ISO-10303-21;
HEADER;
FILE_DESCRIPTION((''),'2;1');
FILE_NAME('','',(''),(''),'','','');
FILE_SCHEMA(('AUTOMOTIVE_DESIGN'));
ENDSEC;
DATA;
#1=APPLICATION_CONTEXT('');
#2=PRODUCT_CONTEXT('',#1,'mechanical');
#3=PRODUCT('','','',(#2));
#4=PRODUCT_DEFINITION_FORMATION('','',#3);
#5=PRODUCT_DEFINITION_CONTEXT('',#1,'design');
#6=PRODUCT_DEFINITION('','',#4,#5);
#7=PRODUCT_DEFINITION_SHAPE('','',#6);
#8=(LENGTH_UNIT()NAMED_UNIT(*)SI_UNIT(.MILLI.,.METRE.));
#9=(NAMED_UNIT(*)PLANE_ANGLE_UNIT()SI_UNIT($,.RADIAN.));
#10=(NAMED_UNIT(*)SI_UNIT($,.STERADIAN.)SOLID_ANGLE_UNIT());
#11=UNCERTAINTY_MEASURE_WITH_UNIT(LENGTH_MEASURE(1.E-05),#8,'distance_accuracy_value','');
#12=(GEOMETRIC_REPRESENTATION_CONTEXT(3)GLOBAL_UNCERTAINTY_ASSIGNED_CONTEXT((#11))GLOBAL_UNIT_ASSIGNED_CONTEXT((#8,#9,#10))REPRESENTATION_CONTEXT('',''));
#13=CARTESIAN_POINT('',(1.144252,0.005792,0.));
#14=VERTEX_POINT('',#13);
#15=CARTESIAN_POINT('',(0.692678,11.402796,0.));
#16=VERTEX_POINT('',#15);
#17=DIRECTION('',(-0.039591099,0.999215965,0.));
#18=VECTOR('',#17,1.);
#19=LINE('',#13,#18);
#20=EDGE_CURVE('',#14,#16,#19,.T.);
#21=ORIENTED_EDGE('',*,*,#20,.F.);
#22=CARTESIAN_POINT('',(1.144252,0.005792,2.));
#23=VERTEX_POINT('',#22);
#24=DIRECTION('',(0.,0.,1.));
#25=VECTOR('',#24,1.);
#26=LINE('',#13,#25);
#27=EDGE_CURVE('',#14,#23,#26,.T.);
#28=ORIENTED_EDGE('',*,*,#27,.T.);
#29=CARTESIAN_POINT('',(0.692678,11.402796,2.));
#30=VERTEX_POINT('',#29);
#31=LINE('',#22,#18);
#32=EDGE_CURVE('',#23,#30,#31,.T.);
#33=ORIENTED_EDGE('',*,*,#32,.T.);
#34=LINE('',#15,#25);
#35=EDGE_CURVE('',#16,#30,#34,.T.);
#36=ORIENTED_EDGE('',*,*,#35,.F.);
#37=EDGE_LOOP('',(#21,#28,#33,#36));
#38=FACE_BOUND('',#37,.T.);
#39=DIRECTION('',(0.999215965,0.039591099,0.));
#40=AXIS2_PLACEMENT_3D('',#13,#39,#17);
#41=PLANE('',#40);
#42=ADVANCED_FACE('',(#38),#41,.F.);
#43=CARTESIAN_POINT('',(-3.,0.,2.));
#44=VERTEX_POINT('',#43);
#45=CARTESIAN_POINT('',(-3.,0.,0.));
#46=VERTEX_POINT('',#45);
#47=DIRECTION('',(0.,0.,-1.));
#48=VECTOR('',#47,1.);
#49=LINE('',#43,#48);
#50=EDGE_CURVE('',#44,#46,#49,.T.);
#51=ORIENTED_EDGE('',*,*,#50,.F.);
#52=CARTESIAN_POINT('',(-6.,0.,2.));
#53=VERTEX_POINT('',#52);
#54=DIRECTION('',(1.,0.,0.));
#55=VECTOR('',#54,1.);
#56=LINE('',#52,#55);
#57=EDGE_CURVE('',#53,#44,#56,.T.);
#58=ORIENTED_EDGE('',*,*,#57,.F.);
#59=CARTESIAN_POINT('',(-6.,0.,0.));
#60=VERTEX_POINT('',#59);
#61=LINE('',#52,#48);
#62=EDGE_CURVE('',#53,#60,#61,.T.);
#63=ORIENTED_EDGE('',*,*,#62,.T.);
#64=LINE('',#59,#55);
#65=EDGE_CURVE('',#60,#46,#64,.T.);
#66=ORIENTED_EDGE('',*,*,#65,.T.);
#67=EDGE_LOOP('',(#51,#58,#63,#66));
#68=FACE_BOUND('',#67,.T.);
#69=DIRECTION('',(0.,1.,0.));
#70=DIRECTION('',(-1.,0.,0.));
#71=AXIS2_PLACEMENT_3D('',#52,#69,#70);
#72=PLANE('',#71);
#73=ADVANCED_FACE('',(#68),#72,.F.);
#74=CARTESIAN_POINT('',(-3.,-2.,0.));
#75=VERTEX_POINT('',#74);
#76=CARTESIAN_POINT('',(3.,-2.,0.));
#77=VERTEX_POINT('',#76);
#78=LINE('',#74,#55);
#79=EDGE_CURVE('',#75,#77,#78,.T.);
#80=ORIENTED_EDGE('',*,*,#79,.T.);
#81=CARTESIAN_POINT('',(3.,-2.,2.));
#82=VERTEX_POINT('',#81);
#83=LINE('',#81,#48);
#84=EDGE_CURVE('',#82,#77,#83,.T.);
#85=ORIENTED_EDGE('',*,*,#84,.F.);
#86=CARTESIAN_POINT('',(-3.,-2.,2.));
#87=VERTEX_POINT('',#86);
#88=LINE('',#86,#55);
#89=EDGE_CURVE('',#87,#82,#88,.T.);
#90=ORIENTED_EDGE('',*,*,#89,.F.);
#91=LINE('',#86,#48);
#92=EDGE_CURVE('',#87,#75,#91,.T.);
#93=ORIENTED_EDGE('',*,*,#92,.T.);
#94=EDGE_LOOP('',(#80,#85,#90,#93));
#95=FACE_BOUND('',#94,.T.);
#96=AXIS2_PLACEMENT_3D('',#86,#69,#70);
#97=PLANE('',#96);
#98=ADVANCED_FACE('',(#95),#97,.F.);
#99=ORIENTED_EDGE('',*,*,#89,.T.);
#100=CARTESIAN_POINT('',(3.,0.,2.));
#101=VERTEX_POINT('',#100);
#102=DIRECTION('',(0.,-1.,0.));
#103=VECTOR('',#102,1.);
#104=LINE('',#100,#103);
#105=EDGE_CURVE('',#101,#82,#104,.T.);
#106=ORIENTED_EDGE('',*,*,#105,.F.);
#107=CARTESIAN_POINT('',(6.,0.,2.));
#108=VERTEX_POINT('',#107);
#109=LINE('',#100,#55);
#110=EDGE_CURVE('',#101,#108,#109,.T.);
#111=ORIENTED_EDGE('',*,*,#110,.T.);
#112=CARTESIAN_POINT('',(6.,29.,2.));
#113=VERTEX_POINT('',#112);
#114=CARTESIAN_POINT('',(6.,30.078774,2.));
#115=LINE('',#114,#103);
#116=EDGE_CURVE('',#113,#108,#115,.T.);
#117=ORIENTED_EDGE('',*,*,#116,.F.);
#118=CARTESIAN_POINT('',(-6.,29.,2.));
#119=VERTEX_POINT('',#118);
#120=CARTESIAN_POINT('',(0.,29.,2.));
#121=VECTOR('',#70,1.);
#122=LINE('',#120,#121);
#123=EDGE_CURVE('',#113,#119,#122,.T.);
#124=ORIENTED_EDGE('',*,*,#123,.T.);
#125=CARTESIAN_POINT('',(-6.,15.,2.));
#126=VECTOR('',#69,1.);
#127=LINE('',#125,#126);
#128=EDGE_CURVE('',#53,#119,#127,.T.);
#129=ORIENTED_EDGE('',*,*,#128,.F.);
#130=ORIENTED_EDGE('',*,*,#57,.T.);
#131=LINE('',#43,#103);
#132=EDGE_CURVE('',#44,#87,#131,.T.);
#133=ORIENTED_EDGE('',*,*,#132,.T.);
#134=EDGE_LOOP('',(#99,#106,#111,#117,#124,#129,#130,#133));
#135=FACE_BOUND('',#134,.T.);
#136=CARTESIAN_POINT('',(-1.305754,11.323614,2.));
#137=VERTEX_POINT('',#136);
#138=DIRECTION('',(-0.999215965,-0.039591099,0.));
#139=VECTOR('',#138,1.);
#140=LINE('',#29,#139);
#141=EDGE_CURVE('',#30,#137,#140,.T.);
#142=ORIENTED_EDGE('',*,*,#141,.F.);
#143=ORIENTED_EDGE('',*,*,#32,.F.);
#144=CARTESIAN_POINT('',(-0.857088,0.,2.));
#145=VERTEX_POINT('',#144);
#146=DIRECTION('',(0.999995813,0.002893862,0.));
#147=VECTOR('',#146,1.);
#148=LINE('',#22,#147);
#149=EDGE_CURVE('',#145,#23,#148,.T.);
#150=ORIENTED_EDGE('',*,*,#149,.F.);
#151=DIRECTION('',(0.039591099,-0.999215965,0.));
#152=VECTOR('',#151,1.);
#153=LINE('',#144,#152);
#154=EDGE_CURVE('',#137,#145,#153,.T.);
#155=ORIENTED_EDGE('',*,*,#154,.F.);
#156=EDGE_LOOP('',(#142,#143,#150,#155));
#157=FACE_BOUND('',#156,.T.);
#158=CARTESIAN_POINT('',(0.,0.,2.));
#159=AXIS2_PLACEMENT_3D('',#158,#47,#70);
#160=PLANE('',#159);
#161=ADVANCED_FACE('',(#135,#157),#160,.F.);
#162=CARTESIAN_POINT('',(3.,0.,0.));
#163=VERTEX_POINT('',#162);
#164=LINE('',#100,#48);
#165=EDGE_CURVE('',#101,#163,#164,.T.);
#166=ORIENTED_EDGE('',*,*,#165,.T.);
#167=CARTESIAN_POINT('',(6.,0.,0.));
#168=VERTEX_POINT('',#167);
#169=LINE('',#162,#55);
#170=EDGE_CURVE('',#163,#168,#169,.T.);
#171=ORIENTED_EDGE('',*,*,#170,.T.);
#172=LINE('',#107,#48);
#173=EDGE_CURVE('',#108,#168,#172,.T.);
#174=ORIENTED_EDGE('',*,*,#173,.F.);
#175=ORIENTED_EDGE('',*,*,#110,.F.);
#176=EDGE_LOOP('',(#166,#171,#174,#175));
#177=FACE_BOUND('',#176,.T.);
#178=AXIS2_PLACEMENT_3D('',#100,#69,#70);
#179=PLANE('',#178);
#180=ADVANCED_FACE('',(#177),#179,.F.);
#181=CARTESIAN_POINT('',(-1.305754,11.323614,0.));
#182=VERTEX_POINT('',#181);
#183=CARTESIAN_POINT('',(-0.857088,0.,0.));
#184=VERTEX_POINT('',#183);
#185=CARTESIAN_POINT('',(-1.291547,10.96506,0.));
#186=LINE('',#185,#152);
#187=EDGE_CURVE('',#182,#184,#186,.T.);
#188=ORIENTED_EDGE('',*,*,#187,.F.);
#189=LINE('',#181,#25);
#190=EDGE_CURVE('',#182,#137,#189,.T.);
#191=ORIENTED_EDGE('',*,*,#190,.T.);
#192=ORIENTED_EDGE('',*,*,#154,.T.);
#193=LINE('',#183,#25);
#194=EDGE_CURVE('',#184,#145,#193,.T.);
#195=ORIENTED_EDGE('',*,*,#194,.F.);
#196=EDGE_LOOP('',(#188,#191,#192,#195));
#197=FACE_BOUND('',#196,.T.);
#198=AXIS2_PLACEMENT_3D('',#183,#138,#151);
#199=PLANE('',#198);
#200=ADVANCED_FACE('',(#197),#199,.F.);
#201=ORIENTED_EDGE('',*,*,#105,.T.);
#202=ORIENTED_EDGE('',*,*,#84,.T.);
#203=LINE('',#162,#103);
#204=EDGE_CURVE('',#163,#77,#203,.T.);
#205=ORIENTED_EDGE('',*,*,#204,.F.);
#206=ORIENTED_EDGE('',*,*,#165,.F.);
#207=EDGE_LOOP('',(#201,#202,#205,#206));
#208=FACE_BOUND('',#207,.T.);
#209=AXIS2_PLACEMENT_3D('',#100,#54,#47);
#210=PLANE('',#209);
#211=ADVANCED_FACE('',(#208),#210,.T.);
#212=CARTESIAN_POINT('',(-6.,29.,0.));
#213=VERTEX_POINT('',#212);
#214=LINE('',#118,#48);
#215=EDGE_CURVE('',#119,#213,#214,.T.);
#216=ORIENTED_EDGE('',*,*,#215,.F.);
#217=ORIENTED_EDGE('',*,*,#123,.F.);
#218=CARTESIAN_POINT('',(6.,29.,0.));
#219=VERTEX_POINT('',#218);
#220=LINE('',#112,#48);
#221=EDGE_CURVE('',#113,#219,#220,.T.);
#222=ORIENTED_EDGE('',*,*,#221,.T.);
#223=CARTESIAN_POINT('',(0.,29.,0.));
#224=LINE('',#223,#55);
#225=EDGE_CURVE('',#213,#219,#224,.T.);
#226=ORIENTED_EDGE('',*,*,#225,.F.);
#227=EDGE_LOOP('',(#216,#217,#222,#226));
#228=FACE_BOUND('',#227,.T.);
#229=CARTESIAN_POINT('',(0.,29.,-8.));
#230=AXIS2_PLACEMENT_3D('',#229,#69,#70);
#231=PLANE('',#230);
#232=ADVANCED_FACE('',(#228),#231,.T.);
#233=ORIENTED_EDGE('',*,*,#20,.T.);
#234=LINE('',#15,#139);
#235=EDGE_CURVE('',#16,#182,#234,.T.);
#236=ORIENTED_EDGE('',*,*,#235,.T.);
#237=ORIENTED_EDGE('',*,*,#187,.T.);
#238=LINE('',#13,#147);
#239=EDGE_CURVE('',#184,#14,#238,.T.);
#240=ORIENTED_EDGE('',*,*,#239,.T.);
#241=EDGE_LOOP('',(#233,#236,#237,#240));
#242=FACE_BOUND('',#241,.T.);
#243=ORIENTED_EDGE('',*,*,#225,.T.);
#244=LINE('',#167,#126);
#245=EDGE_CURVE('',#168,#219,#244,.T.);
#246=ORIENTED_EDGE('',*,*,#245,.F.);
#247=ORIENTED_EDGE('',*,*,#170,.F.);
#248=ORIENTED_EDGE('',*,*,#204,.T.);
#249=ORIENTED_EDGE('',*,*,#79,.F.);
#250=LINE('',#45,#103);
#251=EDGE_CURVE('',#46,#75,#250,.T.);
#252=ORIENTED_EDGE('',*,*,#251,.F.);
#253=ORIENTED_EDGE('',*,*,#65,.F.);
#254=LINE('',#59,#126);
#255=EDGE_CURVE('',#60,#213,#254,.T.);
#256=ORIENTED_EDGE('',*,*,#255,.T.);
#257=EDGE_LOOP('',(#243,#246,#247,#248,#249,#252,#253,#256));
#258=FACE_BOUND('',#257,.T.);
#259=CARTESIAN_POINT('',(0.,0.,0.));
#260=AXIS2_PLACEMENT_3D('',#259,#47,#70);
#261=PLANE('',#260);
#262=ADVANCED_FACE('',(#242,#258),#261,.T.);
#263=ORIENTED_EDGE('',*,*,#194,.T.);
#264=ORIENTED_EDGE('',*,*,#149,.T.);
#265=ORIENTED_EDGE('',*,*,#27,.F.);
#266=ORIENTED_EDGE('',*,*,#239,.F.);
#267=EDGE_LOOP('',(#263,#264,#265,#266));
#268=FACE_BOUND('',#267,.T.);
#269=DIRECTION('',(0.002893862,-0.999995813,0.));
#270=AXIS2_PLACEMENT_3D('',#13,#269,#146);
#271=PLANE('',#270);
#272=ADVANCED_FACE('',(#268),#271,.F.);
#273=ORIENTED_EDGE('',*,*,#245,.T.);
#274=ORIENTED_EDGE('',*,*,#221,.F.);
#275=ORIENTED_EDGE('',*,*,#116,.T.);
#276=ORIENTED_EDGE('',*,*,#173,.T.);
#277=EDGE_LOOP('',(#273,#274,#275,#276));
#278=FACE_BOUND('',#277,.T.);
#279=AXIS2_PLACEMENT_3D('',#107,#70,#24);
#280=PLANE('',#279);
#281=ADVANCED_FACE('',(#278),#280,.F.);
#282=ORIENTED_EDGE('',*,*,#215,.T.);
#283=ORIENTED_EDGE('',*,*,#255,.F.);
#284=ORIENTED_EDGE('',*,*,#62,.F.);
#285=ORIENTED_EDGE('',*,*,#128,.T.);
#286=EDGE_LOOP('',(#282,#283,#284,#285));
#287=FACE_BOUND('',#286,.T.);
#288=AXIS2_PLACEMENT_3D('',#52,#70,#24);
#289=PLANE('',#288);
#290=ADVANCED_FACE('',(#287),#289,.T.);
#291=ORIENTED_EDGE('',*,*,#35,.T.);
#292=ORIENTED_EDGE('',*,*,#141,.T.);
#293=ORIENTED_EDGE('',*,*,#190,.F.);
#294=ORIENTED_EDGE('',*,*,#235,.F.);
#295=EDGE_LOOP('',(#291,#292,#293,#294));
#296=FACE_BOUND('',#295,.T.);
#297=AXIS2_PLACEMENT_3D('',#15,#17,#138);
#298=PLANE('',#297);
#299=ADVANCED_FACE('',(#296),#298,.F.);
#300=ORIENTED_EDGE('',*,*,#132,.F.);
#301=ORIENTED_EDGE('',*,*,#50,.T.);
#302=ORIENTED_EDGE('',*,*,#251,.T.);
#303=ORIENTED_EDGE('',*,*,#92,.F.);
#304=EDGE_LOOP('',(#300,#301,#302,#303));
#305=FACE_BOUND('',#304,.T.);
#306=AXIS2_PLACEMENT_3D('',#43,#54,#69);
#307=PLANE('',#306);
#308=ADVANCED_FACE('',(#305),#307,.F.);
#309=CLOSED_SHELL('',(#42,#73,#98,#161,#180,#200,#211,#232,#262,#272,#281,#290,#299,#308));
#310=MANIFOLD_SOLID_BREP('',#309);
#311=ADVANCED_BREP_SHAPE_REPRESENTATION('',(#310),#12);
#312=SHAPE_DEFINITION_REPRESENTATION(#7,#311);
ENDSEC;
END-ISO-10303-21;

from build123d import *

# Parameters (mm, degrees)
EXTRUDE_1_DEPTH     = 2
SKETCH_3_W          = 12
SKETCH_3_H          = 1.078774048
CUT_EXTRUDE_2_DEPTH = 10
CUT_EXTRUDE_3_DEPTH = 2


with BuildPart() as part:
    # 草图1 → 凸台-拉伸1 (new body)
    with BuildSketch(Plane.XY):
        Polygon((-6, 0), (-6, 15), (-6, 30.078774409), (6, 30.078774409), (6, 15), (6, 0), (3, 0), (3, -2), (-3, -2), (-3, 0), align=None)
    extrude(amount=EXTRUDE_1_DEPTH)

    # 草图3 → 切除-拉伸2 (cut)
    with BuildSketch(Plane.XY.offset(2)):
        with Locations((0, 29.539387385)):
            Rectangle(SKETCH_3_W, SKETCH_3_H)
        Polygon((6, 29.000000361), (10.298878861, 29.000000361), (10.298878861, 34.143483695), (-9.585000786, 34.143483695), (-9.585000786, 29.000000361), (-6, 29.000000361), (-6, 30.078774409), (6, 30.078774409), align=None)
    extrude(amount=-CUT_EXTRUDE_2_DEPTH, mode=Mode.SUBTRACT)

    # 草图4 → 切除-拉伸3 (cut)
    with BuildSketch(Plane.XY.offset(2)):
        Polygon((1.144251734, 0.005791625), (-0.857088089, 0), (-1.291547484, 10.965059679), (-1.305754189, 11.323614176), (0.692677741, 11.402796374), align=None)
    extrude(amount=-CUT_EXTRUDE_3_DEPTH, mode=Mode.SUBTRACT)


solid = part.part
